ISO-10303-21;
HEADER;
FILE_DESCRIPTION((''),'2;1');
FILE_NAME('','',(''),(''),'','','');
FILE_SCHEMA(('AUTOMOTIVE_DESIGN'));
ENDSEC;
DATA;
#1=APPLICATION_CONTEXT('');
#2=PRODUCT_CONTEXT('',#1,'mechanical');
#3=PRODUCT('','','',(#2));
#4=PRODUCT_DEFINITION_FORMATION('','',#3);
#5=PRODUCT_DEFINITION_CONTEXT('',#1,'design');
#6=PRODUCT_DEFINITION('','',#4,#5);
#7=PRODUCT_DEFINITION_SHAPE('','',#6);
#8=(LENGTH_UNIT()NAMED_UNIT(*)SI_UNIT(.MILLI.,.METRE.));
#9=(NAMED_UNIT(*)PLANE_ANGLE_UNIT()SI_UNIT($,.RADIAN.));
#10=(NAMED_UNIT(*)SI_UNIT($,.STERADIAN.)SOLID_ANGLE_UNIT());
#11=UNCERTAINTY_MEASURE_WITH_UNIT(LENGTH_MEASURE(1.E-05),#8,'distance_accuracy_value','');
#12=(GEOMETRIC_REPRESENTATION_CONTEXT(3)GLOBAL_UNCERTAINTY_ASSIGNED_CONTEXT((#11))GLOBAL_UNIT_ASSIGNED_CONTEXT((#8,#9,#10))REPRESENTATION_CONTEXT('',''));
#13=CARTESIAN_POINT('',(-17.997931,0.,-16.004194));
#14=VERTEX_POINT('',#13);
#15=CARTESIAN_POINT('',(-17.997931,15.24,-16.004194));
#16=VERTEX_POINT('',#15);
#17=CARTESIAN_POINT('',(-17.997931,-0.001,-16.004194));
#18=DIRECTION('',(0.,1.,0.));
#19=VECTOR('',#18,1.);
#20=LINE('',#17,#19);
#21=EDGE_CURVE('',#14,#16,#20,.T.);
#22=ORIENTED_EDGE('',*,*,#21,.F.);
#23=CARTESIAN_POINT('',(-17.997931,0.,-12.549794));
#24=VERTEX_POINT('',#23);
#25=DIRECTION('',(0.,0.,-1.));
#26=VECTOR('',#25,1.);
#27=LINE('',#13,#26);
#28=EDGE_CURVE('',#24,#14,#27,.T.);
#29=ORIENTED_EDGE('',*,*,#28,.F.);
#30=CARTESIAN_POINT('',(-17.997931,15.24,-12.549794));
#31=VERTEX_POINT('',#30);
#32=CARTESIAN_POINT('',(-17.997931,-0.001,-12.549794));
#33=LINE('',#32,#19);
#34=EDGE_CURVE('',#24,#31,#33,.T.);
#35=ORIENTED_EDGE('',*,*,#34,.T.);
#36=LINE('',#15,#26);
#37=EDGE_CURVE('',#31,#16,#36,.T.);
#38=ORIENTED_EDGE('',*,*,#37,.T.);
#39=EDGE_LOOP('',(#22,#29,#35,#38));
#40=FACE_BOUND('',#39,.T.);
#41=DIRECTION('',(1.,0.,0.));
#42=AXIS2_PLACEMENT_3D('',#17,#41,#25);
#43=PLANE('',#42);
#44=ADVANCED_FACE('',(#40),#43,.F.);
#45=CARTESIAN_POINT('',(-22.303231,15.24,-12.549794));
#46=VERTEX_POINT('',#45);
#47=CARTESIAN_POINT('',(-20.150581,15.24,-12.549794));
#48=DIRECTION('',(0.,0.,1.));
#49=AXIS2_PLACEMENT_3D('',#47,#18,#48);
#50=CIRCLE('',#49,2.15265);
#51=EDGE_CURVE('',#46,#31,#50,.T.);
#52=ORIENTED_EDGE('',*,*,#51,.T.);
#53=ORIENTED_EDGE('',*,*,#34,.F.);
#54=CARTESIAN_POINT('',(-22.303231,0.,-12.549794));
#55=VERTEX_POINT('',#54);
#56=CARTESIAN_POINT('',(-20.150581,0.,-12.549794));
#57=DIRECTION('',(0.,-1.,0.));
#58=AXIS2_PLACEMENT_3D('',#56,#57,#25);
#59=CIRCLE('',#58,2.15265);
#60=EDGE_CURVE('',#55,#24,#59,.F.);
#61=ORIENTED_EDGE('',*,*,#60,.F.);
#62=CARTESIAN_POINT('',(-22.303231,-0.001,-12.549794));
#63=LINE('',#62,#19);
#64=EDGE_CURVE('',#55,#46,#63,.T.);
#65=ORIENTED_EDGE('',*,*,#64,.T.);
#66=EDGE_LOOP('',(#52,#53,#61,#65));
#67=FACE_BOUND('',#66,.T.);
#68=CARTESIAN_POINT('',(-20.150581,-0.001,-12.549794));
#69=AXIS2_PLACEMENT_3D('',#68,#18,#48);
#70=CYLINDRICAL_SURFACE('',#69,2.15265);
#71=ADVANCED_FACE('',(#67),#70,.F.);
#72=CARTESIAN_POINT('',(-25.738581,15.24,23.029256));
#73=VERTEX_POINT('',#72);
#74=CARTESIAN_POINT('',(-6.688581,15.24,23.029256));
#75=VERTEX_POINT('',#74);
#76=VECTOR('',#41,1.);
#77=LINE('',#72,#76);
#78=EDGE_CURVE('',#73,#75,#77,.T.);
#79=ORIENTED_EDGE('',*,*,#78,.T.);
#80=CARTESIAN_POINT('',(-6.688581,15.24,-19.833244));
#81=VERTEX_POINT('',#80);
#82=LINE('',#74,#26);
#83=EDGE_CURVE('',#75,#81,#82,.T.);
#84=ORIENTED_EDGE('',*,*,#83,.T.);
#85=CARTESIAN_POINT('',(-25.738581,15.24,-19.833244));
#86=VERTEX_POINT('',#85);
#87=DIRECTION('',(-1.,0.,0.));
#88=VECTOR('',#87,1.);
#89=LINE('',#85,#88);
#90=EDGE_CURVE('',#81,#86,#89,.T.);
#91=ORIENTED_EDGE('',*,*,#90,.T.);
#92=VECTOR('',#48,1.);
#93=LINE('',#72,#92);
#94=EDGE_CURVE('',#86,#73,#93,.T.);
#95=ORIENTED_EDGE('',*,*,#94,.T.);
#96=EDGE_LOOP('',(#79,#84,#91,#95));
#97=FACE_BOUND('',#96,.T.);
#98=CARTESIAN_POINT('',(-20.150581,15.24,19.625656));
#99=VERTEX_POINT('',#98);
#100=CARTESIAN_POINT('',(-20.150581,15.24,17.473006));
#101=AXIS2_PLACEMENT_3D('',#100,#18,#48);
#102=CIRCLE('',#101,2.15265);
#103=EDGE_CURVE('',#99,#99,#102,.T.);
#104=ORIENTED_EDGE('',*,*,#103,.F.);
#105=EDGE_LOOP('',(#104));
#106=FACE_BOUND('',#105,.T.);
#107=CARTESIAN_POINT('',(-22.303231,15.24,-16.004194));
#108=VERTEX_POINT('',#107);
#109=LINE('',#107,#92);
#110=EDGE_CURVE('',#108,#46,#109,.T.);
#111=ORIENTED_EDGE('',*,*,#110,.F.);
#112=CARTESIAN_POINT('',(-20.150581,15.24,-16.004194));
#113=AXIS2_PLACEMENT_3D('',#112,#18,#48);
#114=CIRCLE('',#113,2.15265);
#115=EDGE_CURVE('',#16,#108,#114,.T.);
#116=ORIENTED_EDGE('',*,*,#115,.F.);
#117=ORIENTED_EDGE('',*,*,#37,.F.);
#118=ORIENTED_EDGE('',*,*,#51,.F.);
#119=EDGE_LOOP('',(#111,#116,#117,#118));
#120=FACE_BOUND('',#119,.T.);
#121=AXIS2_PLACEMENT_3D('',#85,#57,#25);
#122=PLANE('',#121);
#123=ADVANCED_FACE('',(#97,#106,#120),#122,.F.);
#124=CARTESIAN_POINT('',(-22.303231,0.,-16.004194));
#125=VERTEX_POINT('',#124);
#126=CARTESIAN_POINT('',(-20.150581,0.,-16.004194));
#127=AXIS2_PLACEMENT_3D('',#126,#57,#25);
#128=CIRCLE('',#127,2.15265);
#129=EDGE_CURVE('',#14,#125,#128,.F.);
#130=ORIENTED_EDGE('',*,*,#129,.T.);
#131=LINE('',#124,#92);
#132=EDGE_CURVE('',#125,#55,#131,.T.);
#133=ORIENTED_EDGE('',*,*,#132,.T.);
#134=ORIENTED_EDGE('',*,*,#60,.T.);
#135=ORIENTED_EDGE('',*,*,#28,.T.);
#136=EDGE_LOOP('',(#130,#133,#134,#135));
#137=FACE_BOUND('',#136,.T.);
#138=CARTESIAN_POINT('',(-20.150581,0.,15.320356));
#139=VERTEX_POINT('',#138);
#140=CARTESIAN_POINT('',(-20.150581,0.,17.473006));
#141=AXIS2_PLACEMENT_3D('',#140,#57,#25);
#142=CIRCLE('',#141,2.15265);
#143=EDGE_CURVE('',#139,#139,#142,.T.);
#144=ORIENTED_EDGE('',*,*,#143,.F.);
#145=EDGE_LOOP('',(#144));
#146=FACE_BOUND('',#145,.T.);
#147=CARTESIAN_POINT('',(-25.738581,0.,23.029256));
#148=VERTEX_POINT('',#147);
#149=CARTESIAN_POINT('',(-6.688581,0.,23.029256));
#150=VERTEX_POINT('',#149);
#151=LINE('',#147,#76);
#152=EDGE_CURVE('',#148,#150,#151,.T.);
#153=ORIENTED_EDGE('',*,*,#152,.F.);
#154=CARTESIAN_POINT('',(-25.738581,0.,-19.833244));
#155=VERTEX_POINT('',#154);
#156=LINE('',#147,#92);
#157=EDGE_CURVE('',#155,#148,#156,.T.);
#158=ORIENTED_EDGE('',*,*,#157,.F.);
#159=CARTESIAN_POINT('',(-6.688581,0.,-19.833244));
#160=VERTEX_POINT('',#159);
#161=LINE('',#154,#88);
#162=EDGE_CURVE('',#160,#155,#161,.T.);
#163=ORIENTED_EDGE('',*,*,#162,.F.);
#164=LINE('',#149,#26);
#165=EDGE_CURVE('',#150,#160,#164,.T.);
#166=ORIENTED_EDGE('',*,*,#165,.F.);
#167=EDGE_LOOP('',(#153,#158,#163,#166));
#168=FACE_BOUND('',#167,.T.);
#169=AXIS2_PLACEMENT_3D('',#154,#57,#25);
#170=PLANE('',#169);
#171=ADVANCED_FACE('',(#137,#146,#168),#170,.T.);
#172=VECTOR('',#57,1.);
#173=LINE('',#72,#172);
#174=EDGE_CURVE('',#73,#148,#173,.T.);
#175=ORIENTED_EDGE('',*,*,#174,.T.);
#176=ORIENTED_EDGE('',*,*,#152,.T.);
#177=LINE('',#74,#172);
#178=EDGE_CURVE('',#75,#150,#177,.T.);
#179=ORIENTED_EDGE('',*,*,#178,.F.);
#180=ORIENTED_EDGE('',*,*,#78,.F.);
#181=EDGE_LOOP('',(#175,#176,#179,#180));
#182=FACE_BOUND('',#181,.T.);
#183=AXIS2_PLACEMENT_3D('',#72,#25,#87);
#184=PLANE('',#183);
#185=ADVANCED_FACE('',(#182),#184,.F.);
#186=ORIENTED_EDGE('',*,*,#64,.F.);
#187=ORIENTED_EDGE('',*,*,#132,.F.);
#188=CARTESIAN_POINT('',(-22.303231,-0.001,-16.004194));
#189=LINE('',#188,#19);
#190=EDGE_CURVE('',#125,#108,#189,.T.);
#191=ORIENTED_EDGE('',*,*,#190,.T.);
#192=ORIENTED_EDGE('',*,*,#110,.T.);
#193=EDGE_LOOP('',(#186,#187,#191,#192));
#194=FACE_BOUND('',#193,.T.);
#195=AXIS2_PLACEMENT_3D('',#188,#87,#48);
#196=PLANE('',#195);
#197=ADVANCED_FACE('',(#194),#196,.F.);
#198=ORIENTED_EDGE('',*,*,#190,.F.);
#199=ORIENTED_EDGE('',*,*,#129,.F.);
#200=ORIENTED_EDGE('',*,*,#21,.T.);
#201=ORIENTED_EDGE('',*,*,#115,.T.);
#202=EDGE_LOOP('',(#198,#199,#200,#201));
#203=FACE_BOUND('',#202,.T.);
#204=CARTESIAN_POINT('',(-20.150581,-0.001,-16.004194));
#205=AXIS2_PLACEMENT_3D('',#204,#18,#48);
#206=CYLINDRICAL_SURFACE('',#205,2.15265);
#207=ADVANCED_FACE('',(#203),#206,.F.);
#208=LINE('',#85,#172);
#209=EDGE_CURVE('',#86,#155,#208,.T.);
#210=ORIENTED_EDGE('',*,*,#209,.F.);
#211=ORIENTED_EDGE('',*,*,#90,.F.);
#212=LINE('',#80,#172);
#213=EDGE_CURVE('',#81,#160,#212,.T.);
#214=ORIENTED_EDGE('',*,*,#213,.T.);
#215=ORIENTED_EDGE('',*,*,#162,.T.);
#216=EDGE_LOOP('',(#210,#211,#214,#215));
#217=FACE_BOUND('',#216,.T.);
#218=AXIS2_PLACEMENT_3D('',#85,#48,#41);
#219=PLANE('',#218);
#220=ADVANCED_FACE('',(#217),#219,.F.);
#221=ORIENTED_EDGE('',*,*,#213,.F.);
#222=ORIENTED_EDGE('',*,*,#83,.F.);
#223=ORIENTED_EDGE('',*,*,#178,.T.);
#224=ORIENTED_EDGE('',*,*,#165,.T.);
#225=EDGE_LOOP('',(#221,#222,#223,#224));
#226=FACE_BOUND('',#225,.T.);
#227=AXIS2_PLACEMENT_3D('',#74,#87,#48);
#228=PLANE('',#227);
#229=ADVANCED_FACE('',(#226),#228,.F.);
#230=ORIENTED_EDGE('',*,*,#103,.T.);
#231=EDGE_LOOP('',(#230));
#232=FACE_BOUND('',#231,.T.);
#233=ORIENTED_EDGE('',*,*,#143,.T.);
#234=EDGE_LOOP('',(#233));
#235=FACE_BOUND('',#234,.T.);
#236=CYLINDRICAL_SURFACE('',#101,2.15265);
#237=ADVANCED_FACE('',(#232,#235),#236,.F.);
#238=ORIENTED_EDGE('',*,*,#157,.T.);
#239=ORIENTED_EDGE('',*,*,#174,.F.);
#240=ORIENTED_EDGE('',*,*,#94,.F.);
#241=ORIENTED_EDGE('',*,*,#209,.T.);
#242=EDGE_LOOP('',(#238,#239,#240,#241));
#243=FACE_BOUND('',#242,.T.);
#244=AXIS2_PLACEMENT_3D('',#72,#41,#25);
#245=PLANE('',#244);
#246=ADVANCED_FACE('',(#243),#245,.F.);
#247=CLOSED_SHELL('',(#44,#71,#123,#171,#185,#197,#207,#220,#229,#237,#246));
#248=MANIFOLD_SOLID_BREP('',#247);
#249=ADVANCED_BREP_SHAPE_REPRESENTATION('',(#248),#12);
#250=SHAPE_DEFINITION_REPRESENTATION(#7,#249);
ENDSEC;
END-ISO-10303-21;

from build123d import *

# Parameters (mm, degrees)
SKETCH1_W                        = 19.05
SKETCH1_H                        = 42.8625
BOSS_EXTRUDE1_DEPTH              = 15.24
F_18_0_1695_DIAMETER_HOLE1_D     = 4.3053
F_18_0_1695_DIAMETER_HOLE1_DEPTH = 15.24
CUT_EXTRUDE1_REACH               = 17.24


with BuildPart() as part:
    # Sketch1 → Boss-Extrude1 (new body)
    with BuildSketch(Plane(origin=(0, 0, 0), x_dir=(1, 0, 0), z_dir=(0, 1, 0))):
        with Locations((-16.213580696, -1.598006412)):
            Rectangle(SKETCH1_W, SKETCH1_H)
    extrude(amount=BOSS_EXTRUDE1_DEPTH)

    # #18 (0.1695) Diameter Hole1
    with Locations(Plane(origin=(0, 15.24, 0), x_dir=(-1, 0, 0), z_dir=(0, 1, 0))):
        with Locations((20.150580696, 17.473006412)):
            Hole(F_18_0_1695_DIAMETER_HOLE1_D / 2, depth=F_18_0_1695_DIAMETER_HOLE1_DEPTH)

    # Sketch4 → Cut-Extrude1 (cut, up to next)
    with BuildSketch(Plane(origin=(0, 15.24, 0), x_dir=(1, 0, 0), z_dir=(0, 1, 0)), mode=Mode.PRIVATE) as cut_extrude1_sk1:
        with BuildLine():
            Line((-17.997930696, 16.004193588), (-17.997930696, 12.549793588))
            ThreePointArc((-17.997930696, 12.549793588), (-20.150580696, 10.397143588), (-22.303230696, 12.549793588))
            Line((-22.303230696, 12.549793588), (-22.303230696, 16.004193588))
            ThreePointArc((-22.303230696, 16.004193588), (-20.150580696, 18.156843588), (-17.997930696, 16.004193588))
        make_face()
    cut_extrude1_tool1 = extrude(cut_extrude1_sk1.sketch, amount=-CUT_EXTRUDE1_REACH, mode=Mode.PRIVATE) & part.part
    add(cut_extrude1_tool1.solids().sort_by_distance((-20.150581, 15.24, -14.276994))[0], mode=Mode.SUBTRACT)


solid = part.part
